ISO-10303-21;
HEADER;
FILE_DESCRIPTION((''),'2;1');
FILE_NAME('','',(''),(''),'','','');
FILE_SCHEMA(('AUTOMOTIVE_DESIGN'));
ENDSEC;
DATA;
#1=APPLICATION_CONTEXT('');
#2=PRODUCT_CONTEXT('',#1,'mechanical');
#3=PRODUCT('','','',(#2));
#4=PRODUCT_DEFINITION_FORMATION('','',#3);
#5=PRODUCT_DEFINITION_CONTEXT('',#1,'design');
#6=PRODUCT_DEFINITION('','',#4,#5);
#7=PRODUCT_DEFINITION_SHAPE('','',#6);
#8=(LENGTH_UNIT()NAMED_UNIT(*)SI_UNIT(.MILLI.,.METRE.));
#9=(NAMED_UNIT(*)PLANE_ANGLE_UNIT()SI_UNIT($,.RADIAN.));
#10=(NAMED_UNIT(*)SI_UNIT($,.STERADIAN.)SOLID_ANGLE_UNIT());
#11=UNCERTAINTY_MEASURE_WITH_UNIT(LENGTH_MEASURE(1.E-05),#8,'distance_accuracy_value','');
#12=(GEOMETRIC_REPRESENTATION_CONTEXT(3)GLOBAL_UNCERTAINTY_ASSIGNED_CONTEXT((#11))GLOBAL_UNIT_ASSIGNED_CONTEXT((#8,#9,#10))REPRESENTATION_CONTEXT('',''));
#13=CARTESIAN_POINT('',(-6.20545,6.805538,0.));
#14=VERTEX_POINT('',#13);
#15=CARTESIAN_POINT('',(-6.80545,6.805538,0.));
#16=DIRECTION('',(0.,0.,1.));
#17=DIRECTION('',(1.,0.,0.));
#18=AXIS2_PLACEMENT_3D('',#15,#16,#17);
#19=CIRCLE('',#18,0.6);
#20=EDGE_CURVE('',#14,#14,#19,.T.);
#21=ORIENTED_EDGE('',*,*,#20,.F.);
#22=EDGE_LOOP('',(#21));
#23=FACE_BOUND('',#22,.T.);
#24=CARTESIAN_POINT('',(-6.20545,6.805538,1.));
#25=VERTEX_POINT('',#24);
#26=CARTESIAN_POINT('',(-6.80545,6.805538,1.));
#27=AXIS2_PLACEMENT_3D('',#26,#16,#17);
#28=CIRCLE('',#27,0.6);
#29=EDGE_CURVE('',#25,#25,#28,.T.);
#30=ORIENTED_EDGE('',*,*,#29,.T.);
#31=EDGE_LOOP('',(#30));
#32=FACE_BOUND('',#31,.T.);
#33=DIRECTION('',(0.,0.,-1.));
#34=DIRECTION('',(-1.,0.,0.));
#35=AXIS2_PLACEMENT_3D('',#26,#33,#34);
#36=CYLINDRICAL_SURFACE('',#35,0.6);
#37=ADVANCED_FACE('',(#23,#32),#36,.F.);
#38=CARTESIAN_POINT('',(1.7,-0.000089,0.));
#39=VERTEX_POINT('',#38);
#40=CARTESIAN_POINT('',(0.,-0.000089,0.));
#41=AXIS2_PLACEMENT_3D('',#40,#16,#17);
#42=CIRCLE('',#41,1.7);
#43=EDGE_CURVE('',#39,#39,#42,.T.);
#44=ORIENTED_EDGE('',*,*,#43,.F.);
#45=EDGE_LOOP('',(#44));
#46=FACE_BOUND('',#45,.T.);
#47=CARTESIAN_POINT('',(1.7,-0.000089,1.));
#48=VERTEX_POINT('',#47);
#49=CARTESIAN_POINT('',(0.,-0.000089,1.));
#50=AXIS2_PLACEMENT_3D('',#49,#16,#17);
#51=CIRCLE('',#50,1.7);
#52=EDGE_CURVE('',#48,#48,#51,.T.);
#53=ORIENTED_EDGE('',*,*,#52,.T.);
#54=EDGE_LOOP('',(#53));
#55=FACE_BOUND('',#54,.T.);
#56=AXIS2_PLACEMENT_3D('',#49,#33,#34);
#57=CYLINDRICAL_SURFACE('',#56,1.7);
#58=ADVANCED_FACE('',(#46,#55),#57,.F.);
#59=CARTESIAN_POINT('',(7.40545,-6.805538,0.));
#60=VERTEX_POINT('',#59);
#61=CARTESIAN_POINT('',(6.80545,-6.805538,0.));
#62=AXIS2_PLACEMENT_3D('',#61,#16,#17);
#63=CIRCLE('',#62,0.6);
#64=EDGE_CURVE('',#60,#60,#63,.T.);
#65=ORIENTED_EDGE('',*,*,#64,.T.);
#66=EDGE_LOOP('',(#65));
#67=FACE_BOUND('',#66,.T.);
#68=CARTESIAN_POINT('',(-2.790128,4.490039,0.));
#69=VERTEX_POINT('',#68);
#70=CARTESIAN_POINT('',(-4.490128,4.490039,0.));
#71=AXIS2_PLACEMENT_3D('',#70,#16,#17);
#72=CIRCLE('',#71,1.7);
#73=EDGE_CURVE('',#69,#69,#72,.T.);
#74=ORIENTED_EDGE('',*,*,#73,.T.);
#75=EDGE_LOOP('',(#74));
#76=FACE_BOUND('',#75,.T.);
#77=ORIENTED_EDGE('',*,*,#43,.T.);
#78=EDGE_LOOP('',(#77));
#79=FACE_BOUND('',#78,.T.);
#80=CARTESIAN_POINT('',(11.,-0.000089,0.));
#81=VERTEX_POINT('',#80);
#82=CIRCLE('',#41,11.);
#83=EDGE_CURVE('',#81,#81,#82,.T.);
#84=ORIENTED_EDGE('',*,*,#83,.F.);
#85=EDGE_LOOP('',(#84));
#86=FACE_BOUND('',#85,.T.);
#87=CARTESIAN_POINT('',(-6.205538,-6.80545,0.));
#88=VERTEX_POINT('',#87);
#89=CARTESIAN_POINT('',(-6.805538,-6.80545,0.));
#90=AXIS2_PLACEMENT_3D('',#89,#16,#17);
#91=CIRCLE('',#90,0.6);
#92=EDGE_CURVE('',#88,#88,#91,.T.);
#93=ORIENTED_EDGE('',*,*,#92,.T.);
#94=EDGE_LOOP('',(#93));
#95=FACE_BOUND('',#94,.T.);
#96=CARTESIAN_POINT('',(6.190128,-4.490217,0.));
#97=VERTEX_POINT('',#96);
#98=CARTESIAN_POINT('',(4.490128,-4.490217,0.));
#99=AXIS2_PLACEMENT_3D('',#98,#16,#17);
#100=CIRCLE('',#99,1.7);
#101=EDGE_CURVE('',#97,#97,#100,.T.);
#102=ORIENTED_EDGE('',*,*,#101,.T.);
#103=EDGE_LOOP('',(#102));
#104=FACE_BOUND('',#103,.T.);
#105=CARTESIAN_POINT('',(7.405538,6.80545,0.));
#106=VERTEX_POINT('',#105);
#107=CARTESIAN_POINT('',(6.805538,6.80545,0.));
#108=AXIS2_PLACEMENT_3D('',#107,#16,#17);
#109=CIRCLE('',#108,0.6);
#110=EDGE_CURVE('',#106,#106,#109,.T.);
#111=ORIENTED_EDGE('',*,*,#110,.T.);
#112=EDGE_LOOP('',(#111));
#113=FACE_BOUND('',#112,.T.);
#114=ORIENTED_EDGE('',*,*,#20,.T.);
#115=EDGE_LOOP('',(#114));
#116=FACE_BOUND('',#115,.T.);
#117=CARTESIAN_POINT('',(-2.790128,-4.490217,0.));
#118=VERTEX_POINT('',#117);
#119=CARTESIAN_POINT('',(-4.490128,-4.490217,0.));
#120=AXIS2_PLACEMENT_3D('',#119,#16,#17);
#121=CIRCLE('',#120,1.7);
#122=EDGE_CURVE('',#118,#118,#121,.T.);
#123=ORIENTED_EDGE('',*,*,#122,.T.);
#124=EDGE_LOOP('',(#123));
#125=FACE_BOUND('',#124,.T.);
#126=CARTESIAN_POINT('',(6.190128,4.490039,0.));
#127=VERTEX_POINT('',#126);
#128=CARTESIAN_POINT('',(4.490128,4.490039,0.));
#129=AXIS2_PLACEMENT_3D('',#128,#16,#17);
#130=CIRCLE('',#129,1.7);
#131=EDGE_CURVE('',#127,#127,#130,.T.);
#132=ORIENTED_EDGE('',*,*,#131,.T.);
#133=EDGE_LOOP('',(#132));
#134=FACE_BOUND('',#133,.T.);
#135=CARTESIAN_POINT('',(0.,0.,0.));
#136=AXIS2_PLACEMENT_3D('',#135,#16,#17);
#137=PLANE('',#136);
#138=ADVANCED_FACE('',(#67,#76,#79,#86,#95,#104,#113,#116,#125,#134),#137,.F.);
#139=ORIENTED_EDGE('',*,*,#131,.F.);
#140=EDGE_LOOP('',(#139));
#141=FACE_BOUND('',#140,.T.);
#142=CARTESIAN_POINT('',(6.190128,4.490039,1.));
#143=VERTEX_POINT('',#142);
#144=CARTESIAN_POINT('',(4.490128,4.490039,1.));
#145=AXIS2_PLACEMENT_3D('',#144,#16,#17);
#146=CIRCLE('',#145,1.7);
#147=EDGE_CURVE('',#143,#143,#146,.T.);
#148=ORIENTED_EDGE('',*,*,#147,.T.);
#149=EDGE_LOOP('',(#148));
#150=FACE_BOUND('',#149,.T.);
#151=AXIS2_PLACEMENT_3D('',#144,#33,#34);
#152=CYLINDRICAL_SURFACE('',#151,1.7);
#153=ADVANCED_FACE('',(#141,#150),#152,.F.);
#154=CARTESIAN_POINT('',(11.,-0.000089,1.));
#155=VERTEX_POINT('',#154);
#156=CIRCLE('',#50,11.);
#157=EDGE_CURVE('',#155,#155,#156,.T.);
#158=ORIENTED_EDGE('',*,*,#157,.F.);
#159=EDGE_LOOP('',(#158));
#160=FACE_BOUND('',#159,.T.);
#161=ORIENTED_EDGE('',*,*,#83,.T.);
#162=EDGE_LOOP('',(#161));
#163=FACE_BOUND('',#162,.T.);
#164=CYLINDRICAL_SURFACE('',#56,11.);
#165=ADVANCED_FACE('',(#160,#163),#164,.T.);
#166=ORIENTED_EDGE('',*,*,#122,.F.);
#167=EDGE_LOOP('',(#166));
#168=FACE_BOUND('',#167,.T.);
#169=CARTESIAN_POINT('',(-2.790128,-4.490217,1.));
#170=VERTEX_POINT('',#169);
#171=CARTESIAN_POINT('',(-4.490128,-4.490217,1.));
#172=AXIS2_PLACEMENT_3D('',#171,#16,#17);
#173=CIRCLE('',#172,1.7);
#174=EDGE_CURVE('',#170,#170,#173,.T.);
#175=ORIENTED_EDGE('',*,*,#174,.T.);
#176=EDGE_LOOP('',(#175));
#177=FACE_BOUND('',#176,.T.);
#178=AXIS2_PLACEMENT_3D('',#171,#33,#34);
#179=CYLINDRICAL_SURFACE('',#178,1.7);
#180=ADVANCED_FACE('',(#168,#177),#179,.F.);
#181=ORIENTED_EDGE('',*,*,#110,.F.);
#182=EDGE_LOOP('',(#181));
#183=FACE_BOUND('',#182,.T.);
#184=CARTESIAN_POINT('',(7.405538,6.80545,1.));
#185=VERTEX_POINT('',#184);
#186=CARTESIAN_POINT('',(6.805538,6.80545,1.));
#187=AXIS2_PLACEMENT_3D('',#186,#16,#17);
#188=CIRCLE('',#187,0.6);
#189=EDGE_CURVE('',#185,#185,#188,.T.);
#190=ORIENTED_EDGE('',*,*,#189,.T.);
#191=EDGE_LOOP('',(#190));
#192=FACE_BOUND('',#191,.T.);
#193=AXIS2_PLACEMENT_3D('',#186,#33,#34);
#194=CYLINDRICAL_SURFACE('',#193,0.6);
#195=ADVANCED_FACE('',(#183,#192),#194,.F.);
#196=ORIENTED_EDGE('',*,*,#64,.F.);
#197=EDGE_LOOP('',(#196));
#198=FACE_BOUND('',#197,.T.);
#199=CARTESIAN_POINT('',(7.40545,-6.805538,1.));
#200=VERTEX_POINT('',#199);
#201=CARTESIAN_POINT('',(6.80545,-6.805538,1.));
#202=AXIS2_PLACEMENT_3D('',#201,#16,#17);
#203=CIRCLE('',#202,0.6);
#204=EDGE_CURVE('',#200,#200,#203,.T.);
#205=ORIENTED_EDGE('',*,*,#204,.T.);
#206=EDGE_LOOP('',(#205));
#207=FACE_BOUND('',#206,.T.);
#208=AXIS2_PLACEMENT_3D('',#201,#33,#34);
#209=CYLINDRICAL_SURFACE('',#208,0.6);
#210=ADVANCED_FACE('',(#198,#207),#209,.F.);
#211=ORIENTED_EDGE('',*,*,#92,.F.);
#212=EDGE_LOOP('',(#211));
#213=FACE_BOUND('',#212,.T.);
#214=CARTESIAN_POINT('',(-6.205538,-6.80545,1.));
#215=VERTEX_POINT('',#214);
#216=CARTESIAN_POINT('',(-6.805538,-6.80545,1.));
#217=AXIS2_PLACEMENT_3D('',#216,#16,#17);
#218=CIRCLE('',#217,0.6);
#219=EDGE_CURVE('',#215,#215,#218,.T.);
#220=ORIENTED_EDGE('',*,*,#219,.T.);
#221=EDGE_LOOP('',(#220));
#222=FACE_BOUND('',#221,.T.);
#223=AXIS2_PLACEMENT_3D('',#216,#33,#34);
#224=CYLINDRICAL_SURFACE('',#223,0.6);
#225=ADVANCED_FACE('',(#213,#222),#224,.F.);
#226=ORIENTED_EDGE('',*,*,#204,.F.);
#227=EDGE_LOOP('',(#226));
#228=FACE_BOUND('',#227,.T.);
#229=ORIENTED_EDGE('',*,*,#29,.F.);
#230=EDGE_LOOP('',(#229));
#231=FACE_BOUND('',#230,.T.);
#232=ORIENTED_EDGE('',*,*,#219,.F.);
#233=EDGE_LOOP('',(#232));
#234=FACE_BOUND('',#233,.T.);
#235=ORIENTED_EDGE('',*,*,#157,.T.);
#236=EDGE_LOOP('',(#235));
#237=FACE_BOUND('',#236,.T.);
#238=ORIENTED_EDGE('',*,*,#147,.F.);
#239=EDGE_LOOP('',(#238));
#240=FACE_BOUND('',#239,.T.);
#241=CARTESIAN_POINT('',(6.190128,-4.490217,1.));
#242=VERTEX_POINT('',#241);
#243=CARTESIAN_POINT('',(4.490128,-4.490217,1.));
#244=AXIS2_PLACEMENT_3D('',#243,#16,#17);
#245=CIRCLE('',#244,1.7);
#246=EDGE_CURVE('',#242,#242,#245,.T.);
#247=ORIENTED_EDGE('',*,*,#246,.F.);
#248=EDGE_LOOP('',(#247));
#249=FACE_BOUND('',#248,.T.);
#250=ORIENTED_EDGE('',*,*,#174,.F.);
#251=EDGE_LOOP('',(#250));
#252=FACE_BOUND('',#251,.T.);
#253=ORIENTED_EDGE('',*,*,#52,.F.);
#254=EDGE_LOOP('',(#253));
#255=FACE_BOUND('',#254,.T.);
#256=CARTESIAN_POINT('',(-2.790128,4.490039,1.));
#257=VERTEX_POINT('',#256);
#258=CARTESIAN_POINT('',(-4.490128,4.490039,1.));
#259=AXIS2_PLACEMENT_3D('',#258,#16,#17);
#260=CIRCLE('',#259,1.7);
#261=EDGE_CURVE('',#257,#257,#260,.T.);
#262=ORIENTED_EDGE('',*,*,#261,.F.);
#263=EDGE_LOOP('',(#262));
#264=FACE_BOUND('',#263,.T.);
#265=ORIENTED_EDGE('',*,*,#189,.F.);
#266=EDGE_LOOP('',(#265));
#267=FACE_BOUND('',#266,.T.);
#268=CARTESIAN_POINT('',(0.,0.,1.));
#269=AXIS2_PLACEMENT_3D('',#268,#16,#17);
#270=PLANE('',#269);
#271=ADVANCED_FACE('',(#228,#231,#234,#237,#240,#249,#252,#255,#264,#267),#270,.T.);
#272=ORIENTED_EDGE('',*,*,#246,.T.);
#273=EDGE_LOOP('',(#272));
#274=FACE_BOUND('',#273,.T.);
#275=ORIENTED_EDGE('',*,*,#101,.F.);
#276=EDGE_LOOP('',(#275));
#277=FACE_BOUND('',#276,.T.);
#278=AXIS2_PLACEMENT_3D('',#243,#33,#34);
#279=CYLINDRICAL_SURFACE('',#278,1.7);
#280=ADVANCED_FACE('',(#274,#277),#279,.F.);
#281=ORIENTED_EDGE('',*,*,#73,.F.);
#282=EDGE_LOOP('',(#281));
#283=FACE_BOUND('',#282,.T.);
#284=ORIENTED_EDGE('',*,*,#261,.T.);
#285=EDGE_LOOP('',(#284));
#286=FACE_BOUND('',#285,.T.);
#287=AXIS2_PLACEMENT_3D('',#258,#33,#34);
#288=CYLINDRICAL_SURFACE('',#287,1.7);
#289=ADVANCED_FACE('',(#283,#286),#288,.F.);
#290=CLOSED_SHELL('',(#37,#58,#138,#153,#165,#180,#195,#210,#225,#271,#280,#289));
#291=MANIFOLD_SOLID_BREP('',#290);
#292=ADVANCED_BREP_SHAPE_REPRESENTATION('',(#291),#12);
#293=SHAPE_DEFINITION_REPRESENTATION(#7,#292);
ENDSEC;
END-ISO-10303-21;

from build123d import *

# Parameters (mm, degrees)
SKETCH2_R           = 11
SKETCH2_R_2         = 1.7
SKETCH2_R_3         = 0.6
BOSS_EXTRUDE1_DEPTH = 1


with BuildPart() as part:
    # Sketch2 → Boss-Extrude1 (new body)
    with BuildSketch(Plane.XY):
        with Locations((0, -8.8655e-05)):
            Circle(SKETCH2_R)
        with Locations((-4.490128061, 4.490039406)):
            Circle(SKETCH2_R_2, mode=Mode.SUBTRACT)
        with Locations((4.490128061, 4.490039406)):
            Circle(SKETCH2_R_2, mode=Mode.SUBTRACT)
        with Locations((-4.490128061, -4.490216715)):
            Circle(SKETCH2_R_2, mode=Mode.SUBTRACT)
        with Locations((4.490128061, -4.490216715)):
            Circle(SKETCH2_R_2, mode=Mode.SUBTRACT)
        with Locations((0, -8.8655e-05)):
            Circle(SKETCH2_R_2, mode=Mode.SUBTRACT)
        with Locations((6.80553822, 6.805449565)):
            Circle(SKETCH2_R_3, mode=Mode.SUBTRACT)
        with Locations((6.805449565, -6.80553822)):
            Circle(SKETCH2_R_3, mode=Mode.SUBTRACT)
        with Locations((-6.80553822, -6.805449565)):
            Circle(SKETCH2_R_3, mode=Mode.SUBTRACT)
        with Locations((-6.805449565, 6.80553822)):
            Circle(SKETCH2_R_3, mode=Mode.SUBTRACT)
    extrude(amount=BOSS_EXTRUDE1_DEPTH)


solid = part.part
